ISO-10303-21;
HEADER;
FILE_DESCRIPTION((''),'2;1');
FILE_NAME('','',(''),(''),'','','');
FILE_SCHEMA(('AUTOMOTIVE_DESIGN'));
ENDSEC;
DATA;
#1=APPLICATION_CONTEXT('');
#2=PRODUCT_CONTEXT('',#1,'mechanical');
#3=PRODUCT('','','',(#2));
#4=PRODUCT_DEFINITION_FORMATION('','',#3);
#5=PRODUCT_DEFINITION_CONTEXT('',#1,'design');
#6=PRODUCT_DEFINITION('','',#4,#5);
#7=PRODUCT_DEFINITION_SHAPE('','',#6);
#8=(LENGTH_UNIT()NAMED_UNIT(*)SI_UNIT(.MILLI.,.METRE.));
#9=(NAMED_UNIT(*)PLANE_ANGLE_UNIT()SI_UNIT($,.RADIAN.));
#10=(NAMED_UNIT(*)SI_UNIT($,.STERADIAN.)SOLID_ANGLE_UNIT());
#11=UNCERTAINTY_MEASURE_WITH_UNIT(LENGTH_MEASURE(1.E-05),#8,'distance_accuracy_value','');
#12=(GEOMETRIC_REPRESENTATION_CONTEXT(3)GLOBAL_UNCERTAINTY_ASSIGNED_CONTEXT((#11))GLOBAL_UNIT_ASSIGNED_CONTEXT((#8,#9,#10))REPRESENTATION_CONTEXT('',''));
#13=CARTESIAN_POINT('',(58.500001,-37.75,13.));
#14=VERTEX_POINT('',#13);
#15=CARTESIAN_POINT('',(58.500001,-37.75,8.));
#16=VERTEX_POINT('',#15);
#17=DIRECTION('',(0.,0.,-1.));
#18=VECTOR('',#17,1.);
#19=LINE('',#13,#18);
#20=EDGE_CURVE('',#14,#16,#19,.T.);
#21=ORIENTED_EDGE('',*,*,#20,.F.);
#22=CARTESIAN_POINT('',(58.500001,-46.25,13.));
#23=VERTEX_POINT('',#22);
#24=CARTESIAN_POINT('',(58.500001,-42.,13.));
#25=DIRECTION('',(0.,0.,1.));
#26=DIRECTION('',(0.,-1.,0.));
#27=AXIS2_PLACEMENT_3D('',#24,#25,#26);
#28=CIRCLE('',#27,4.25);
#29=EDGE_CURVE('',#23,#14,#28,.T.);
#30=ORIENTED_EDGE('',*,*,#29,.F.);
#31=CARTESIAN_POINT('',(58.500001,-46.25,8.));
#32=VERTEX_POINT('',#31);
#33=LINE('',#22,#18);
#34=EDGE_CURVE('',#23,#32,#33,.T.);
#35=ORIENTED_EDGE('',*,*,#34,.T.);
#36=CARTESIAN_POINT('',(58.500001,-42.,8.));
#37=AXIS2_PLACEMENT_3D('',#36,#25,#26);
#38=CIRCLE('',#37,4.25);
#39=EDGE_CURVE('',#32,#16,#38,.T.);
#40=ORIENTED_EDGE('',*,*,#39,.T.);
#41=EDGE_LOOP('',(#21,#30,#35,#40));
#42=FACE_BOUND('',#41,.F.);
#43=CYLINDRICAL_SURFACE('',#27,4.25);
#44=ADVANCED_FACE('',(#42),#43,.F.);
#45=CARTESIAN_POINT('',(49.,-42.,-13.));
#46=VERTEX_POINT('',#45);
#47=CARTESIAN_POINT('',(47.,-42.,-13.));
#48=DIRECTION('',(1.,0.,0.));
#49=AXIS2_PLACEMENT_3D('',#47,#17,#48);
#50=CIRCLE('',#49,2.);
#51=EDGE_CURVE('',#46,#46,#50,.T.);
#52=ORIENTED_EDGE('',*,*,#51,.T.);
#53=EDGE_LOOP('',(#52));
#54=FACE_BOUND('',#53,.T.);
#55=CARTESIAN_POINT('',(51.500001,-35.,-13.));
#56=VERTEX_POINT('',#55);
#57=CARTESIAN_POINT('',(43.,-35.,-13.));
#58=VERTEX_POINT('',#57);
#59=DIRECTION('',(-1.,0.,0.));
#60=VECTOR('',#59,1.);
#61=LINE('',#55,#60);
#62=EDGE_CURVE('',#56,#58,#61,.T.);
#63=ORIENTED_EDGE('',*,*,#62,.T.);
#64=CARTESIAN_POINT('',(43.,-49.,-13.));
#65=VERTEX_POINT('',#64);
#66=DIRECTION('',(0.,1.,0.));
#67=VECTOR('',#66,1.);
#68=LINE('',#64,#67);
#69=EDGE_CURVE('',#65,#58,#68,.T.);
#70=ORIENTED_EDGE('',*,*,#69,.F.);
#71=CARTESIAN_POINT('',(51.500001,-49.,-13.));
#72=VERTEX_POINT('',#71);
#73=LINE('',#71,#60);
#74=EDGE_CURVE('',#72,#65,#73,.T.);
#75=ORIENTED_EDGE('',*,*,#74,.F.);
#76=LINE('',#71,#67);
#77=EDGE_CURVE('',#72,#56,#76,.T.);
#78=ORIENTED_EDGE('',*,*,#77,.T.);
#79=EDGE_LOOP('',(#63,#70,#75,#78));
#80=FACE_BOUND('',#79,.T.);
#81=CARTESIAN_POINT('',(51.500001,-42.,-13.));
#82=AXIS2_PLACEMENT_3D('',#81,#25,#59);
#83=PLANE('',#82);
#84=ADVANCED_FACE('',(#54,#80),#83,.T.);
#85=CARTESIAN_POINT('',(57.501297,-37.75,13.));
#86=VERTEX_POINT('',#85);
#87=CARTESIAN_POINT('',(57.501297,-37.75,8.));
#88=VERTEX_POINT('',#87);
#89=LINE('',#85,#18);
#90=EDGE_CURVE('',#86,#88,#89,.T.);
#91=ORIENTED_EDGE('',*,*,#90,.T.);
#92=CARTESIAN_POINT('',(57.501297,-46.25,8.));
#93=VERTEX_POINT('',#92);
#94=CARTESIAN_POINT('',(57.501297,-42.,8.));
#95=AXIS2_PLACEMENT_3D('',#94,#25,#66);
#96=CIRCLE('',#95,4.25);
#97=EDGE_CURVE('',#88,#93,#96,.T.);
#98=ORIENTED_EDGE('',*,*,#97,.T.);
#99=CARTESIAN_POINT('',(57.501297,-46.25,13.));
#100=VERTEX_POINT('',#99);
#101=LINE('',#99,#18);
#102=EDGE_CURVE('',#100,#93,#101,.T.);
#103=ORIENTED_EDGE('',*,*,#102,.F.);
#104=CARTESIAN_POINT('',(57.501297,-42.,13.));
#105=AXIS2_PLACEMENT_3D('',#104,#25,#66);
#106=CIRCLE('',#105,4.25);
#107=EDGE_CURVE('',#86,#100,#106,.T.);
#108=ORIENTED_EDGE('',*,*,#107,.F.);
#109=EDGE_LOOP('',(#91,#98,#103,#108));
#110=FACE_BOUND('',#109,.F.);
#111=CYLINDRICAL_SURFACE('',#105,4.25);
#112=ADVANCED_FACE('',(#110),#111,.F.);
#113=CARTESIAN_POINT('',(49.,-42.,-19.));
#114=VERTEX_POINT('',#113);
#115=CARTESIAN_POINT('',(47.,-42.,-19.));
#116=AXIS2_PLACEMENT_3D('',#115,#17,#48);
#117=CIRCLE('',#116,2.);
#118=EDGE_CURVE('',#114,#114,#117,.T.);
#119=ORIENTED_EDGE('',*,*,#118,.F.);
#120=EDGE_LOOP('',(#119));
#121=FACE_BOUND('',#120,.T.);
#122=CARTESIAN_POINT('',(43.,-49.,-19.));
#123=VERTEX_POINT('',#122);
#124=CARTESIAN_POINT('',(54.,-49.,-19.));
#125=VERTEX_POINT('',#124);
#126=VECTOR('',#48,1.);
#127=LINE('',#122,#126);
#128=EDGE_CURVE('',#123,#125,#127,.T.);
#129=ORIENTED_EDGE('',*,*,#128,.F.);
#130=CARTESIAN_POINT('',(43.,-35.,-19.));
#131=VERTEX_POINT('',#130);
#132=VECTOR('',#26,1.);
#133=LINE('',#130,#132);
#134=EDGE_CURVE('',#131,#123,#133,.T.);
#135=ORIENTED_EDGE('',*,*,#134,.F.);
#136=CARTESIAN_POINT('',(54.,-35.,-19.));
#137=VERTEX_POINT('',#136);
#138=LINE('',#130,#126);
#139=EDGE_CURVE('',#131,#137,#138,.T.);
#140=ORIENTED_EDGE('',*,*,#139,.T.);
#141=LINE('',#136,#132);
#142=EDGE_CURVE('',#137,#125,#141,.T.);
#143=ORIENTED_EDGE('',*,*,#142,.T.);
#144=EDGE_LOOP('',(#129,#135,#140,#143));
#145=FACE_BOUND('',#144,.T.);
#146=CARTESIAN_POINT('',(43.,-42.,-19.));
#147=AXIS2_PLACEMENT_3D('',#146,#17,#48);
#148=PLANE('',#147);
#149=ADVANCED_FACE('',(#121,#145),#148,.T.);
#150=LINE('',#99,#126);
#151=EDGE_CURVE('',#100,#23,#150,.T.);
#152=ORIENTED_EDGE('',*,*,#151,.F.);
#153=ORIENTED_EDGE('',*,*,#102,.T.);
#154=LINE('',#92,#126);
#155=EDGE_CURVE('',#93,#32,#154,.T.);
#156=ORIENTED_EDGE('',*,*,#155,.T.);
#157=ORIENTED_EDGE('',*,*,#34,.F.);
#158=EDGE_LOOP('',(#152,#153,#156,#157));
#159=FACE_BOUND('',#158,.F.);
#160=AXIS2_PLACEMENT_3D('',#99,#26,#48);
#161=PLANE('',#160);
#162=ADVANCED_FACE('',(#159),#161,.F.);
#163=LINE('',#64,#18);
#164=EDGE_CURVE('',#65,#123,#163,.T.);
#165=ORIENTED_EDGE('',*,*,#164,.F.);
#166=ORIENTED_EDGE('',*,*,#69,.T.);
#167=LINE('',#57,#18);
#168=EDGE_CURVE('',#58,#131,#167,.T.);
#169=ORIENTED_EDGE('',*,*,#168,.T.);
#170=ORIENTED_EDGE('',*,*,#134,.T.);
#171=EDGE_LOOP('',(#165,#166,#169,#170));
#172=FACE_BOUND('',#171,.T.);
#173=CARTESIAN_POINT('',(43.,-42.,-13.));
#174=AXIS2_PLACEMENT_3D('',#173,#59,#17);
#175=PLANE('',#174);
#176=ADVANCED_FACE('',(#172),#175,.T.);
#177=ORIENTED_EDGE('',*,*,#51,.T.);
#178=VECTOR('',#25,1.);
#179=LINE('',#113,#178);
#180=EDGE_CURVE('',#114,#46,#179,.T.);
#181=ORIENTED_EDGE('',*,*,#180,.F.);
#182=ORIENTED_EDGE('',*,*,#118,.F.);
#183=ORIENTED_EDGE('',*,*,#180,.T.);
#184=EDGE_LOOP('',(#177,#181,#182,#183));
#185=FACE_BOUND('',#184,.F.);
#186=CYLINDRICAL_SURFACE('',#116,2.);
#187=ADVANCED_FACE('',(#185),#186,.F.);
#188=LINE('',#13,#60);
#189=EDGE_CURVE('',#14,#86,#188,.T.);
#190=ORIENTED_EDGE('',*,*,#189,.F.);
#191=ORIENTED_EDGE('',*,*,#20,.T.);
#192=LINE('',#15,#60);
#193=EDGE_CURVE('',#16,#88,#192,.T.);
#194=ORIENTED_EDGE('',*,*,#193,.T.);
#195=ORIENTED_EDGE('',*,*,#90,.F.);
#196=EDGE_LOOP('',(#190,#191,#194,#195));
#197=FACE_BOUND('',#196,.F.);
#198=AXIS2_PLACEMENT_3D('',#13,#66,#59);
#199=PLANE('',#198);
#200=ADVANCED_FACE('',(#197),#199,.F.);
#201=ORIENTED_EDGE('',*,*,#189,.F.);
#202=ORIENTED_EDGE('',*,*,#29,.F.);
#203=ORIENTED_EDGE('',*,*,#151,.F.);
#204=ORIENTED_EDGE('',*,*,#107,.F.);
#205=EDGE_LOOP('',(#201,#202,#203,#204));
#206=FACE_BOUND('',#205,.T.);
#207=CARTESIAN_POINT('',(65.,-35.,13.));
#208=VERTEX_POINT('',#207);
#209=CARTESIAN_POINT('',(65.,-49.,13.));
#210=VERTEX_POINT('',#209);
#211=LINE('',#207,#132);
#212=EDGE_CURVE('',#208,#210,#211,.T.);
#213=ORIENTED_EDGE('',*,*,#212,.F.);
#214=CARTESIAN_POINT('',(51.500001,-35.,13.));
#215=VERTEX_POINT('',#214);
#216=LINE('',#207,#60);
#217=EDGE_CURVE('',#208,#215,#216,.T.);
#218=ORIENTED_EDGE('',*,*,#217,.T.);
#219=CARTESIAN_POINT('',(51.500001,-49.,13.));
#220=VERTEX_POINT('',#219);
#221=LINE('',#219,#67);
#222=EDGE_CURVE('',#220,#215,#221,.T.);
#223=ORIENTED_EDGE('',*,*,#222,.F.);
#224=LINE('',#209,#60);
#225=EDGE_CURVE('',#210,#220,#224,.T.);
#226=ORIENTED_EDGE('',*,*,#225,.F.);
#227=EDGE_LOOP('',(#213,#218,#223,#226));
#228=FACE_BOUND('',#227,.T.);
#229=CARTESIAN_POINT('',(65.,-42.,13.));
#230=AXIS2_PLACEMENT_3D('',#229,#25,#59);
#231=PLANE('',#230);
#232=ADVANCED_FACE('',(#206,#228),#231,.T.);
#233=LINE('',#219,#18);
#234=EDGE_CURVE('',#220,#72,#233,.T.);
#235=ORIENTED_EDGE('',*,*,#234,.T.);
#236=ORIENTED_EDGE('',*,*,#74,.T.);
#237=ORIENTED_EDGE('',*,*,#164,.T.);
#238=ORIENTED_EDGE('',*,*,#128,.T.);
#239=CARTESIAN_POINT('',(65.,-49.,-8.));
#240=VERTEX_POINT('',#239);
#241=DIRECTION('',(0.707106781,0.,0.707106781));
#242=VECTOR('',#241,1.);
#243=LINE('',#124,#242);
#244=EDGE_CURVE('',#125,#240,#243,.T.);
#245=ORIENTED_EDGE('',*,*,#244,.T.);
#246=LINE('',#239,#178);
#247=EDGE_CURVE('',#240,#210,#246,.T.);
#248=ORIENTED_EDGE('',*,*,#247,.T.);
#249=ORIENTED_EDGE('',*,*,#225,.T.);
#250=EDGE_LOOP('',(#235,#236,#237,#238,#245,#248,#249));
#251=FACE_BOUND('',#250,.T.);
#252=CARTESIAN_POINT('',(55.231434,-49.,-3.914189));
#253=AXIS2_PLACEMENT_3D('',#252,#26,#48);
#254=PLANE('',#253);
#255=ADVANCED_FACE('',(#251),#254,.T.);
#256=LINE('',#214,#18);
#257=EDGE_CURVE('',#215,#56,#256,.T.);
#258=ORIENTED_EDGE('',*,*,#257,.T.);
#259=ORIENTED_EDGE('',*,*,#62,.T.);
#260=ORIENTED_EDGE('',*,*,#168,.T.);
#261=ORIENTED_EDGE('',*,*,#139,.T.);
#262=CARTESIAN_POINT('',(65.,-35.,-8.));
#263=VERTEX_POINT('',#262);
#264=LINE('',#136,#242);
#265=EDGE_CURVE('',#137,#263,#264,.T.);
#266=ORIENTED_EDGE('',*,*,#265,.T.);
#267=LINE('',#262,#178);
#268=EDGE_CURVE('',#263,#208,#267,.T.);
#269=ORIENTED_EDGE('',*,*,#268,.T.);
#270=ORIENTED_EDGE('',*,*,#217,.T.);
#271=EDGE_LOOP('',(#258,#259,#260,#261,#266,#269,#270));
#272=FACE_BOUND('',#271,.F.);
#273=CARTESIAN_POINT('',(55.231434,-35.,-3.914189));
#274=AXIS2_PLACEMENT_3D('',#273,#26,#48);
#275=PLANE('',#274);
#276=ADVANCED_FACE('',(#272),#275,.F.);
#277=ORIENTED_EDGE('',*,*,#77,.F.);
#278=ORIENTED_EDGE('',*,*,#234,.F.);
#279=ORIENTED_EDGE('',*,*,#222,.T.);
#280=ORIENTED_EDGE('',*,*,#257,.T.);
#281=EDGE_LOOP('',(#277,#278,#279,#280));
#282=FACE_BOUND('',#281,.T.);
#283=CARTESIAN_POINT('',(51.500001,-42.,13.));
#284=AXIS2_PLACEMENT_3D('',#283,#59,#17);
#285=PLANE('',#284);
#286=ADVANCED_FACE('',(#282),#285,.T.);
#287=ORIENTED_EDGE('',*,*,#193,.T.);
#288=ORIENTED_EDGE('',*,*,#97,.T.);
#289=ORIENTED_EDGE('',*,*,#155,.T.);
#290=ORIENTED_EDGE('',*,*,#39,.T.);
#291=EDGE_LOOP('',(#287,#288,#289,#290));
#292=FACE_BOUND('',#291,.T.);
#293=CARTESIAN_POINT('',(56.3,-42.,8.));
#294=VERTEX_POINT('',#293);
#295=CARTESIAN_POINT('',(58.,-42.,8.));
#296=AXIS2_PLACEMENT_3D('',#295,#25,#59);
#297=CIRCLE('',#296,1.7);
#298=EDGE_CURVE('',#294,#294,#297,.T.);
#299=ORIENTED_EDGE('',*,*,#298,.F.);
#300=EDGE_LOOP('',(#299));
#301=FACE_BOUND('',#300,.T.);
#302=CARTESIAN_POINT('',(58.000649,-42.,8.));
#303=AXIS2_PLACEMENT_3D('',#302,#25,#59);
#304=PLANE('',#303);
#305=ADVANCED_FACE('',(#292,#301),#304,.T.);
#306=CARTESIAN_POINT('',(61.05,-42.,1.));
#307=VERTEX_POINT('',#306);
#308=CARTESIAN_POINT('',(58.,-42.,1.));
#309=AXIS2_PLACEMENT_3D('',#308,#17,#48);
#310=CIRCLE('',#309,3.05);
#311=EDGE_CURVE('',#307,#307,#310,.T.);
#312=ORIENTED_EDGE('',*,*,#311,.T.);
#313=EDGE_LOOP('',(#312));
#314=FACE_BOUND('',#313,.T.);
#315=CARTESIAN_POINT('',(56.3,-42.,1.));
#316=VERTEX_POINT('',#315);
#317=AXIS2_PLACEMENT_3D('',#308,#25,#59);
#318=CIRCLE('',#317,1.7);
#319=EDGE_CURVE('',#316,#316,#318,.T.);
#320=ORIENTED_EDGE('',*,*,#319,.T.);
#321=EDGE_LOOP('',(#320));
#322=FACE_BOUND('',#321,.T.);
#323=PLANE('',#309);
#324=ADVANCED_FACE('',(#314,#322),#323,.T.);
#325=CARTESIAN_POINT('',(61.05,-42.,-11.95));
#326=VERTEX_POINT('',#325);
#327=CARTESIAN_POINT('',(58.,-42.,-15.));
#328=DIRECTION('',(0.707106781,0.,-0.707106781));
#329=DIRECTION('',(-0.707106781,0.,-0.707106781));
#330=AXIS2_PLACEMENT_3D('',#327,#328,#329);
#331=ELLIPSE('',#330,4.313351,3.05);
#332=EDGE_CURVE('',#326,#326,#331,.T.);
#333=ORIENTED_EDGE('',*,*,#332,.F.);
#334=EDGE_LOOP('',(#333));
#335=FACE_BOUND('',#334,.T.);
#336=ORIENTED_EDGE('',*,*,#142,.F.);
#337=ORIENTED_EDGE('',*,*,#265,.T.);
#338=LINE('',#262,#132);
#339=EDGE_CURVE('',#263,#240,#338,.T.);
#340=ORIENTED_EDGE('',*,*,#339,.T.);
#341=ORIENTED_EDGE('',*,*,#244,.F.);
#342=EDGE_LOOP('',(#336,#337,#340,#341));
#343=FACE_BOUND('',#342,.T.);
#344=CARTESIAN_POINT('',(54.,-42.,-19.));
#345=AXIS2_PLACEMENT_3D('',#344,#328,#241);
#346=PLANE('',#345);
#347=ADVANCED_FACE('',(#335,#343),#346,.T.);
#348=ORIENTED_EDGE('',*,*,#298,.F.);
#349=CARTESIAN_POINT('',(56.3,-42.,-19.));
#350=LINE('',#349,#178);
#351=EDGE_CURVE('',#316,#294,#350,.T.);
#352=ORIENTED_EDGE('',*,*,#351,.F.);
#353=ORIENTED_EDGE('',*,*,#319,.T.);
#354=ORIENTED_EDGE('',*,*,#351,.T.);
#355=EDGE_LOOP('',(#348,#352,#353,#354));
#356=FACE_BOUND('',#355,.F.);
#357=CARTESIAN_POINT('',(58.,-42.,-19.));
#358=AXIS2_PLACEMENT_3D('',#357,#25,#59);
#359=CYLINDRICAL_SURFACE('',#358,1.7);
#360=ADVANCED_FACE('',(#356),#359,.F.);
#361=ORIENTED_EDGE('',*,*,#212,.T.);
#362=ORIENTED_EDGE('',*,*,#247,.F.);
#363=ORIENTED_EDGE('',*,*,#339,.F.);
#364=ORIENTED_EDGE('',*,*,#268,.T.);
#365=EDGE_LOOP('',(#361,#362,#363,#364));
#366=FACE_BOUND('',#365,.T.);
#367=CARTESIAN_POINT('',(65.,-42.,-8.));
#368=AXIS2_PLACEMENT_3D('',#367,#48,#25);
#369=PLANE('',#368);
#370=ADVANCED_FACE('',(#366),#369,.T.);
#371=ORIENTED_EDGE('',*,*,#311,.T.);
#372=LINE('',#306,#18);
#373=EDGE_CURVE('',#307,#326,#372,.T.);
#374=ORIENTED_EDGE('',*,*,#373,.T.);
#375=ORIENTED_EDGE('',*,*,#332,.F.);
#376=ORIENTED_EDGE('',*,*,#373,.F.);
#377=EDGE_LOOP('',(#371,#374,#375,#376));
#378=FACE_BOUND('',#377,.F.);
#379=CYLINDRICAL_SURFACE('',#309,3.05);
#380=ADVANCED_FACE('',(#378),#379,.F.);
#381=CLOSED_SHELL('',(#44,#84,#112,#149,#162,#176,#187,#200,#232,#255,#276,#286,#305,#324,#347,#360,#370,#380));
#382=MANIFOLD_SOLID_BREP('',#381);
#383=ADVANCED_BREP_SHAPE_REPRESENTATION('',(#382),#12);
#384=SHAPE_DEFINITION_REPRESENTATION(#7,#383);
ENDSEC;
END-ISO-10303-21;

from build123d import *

# Parameters (mm, degrees)
PAD002_DEPTH     = 7
POCKET003_DEPTH  = 5
HOLE_D           = 3.4
HOLE_CBORE_D     = 6.1
HOLE_CBORE_DEPTH = 20
SKETCH007_R      = 2
POCKET004_DEPTH  = 6


with BuildPart() as part:
    # Sketch005 → Pad002 (new body, symmetric)
    with BuildSketch(Plane.XZ.offset(2)):
        Polygon((43, -13), (43, -19), (54, -19), (65, -8), (65, 13), (51.500001, 13), (51.500001, -13), align=None)
    extrude(amount=PAD002_DEPTH, both=True)

    # Sketch008 → Pocket003 (cut)
    with BuildSketch(Plane(origin=(0, 0, 13), x_dir=(-1, 0, 0), z_dir=(0, 0, 1))):
        with BuildLine():
            ThreePointArc((-57.501297, -2.25), (-53.251297, 2), (-57.501297, 6.25))
            Line((-57.501297, 6.25), (-58.500001, 6.25))
            ThreePointArc((-58.500001, 6.25), (-62.750001, 2), (-58.500001, -2.25))
            Line((-58.500001, -2.25), (-57.501297, -2.25))
        make_face()
    extrude(amount=-POCKET003_DEPTH, mode=Mode.SUBTRACT)

    # Hole (through all)
    with Locations(Plane(origin=(0, 0, -19), x_dir=(1, 0, 0), z_dir=(0, 0, -1))):
        with Locations((58, 2)):
            CounterBoreHole(HOLE_D / 2, HOLE_CBORE_D / 2, HOLE_CBORE_DEPTH)

    # Sketch007 (on Face2 of Pad002) → Pocket004 (cut)
    with BuildSketch(Plane(origin=(0, 0, -19), x_dir=(1, 0, 0), z_dir=(0, 0, -1))):
        with Locations((47, 2)):
            Circle(SKETCH007_R)
    extrude(amount=-POCKET004_DEPTH, mode=Mode.SUBTRACT)


with BuildPart() as part_1:
    # Body001 placement: moved
    add(part.part.moved(Location((0, -40, 0))))


solid = part_1.part
